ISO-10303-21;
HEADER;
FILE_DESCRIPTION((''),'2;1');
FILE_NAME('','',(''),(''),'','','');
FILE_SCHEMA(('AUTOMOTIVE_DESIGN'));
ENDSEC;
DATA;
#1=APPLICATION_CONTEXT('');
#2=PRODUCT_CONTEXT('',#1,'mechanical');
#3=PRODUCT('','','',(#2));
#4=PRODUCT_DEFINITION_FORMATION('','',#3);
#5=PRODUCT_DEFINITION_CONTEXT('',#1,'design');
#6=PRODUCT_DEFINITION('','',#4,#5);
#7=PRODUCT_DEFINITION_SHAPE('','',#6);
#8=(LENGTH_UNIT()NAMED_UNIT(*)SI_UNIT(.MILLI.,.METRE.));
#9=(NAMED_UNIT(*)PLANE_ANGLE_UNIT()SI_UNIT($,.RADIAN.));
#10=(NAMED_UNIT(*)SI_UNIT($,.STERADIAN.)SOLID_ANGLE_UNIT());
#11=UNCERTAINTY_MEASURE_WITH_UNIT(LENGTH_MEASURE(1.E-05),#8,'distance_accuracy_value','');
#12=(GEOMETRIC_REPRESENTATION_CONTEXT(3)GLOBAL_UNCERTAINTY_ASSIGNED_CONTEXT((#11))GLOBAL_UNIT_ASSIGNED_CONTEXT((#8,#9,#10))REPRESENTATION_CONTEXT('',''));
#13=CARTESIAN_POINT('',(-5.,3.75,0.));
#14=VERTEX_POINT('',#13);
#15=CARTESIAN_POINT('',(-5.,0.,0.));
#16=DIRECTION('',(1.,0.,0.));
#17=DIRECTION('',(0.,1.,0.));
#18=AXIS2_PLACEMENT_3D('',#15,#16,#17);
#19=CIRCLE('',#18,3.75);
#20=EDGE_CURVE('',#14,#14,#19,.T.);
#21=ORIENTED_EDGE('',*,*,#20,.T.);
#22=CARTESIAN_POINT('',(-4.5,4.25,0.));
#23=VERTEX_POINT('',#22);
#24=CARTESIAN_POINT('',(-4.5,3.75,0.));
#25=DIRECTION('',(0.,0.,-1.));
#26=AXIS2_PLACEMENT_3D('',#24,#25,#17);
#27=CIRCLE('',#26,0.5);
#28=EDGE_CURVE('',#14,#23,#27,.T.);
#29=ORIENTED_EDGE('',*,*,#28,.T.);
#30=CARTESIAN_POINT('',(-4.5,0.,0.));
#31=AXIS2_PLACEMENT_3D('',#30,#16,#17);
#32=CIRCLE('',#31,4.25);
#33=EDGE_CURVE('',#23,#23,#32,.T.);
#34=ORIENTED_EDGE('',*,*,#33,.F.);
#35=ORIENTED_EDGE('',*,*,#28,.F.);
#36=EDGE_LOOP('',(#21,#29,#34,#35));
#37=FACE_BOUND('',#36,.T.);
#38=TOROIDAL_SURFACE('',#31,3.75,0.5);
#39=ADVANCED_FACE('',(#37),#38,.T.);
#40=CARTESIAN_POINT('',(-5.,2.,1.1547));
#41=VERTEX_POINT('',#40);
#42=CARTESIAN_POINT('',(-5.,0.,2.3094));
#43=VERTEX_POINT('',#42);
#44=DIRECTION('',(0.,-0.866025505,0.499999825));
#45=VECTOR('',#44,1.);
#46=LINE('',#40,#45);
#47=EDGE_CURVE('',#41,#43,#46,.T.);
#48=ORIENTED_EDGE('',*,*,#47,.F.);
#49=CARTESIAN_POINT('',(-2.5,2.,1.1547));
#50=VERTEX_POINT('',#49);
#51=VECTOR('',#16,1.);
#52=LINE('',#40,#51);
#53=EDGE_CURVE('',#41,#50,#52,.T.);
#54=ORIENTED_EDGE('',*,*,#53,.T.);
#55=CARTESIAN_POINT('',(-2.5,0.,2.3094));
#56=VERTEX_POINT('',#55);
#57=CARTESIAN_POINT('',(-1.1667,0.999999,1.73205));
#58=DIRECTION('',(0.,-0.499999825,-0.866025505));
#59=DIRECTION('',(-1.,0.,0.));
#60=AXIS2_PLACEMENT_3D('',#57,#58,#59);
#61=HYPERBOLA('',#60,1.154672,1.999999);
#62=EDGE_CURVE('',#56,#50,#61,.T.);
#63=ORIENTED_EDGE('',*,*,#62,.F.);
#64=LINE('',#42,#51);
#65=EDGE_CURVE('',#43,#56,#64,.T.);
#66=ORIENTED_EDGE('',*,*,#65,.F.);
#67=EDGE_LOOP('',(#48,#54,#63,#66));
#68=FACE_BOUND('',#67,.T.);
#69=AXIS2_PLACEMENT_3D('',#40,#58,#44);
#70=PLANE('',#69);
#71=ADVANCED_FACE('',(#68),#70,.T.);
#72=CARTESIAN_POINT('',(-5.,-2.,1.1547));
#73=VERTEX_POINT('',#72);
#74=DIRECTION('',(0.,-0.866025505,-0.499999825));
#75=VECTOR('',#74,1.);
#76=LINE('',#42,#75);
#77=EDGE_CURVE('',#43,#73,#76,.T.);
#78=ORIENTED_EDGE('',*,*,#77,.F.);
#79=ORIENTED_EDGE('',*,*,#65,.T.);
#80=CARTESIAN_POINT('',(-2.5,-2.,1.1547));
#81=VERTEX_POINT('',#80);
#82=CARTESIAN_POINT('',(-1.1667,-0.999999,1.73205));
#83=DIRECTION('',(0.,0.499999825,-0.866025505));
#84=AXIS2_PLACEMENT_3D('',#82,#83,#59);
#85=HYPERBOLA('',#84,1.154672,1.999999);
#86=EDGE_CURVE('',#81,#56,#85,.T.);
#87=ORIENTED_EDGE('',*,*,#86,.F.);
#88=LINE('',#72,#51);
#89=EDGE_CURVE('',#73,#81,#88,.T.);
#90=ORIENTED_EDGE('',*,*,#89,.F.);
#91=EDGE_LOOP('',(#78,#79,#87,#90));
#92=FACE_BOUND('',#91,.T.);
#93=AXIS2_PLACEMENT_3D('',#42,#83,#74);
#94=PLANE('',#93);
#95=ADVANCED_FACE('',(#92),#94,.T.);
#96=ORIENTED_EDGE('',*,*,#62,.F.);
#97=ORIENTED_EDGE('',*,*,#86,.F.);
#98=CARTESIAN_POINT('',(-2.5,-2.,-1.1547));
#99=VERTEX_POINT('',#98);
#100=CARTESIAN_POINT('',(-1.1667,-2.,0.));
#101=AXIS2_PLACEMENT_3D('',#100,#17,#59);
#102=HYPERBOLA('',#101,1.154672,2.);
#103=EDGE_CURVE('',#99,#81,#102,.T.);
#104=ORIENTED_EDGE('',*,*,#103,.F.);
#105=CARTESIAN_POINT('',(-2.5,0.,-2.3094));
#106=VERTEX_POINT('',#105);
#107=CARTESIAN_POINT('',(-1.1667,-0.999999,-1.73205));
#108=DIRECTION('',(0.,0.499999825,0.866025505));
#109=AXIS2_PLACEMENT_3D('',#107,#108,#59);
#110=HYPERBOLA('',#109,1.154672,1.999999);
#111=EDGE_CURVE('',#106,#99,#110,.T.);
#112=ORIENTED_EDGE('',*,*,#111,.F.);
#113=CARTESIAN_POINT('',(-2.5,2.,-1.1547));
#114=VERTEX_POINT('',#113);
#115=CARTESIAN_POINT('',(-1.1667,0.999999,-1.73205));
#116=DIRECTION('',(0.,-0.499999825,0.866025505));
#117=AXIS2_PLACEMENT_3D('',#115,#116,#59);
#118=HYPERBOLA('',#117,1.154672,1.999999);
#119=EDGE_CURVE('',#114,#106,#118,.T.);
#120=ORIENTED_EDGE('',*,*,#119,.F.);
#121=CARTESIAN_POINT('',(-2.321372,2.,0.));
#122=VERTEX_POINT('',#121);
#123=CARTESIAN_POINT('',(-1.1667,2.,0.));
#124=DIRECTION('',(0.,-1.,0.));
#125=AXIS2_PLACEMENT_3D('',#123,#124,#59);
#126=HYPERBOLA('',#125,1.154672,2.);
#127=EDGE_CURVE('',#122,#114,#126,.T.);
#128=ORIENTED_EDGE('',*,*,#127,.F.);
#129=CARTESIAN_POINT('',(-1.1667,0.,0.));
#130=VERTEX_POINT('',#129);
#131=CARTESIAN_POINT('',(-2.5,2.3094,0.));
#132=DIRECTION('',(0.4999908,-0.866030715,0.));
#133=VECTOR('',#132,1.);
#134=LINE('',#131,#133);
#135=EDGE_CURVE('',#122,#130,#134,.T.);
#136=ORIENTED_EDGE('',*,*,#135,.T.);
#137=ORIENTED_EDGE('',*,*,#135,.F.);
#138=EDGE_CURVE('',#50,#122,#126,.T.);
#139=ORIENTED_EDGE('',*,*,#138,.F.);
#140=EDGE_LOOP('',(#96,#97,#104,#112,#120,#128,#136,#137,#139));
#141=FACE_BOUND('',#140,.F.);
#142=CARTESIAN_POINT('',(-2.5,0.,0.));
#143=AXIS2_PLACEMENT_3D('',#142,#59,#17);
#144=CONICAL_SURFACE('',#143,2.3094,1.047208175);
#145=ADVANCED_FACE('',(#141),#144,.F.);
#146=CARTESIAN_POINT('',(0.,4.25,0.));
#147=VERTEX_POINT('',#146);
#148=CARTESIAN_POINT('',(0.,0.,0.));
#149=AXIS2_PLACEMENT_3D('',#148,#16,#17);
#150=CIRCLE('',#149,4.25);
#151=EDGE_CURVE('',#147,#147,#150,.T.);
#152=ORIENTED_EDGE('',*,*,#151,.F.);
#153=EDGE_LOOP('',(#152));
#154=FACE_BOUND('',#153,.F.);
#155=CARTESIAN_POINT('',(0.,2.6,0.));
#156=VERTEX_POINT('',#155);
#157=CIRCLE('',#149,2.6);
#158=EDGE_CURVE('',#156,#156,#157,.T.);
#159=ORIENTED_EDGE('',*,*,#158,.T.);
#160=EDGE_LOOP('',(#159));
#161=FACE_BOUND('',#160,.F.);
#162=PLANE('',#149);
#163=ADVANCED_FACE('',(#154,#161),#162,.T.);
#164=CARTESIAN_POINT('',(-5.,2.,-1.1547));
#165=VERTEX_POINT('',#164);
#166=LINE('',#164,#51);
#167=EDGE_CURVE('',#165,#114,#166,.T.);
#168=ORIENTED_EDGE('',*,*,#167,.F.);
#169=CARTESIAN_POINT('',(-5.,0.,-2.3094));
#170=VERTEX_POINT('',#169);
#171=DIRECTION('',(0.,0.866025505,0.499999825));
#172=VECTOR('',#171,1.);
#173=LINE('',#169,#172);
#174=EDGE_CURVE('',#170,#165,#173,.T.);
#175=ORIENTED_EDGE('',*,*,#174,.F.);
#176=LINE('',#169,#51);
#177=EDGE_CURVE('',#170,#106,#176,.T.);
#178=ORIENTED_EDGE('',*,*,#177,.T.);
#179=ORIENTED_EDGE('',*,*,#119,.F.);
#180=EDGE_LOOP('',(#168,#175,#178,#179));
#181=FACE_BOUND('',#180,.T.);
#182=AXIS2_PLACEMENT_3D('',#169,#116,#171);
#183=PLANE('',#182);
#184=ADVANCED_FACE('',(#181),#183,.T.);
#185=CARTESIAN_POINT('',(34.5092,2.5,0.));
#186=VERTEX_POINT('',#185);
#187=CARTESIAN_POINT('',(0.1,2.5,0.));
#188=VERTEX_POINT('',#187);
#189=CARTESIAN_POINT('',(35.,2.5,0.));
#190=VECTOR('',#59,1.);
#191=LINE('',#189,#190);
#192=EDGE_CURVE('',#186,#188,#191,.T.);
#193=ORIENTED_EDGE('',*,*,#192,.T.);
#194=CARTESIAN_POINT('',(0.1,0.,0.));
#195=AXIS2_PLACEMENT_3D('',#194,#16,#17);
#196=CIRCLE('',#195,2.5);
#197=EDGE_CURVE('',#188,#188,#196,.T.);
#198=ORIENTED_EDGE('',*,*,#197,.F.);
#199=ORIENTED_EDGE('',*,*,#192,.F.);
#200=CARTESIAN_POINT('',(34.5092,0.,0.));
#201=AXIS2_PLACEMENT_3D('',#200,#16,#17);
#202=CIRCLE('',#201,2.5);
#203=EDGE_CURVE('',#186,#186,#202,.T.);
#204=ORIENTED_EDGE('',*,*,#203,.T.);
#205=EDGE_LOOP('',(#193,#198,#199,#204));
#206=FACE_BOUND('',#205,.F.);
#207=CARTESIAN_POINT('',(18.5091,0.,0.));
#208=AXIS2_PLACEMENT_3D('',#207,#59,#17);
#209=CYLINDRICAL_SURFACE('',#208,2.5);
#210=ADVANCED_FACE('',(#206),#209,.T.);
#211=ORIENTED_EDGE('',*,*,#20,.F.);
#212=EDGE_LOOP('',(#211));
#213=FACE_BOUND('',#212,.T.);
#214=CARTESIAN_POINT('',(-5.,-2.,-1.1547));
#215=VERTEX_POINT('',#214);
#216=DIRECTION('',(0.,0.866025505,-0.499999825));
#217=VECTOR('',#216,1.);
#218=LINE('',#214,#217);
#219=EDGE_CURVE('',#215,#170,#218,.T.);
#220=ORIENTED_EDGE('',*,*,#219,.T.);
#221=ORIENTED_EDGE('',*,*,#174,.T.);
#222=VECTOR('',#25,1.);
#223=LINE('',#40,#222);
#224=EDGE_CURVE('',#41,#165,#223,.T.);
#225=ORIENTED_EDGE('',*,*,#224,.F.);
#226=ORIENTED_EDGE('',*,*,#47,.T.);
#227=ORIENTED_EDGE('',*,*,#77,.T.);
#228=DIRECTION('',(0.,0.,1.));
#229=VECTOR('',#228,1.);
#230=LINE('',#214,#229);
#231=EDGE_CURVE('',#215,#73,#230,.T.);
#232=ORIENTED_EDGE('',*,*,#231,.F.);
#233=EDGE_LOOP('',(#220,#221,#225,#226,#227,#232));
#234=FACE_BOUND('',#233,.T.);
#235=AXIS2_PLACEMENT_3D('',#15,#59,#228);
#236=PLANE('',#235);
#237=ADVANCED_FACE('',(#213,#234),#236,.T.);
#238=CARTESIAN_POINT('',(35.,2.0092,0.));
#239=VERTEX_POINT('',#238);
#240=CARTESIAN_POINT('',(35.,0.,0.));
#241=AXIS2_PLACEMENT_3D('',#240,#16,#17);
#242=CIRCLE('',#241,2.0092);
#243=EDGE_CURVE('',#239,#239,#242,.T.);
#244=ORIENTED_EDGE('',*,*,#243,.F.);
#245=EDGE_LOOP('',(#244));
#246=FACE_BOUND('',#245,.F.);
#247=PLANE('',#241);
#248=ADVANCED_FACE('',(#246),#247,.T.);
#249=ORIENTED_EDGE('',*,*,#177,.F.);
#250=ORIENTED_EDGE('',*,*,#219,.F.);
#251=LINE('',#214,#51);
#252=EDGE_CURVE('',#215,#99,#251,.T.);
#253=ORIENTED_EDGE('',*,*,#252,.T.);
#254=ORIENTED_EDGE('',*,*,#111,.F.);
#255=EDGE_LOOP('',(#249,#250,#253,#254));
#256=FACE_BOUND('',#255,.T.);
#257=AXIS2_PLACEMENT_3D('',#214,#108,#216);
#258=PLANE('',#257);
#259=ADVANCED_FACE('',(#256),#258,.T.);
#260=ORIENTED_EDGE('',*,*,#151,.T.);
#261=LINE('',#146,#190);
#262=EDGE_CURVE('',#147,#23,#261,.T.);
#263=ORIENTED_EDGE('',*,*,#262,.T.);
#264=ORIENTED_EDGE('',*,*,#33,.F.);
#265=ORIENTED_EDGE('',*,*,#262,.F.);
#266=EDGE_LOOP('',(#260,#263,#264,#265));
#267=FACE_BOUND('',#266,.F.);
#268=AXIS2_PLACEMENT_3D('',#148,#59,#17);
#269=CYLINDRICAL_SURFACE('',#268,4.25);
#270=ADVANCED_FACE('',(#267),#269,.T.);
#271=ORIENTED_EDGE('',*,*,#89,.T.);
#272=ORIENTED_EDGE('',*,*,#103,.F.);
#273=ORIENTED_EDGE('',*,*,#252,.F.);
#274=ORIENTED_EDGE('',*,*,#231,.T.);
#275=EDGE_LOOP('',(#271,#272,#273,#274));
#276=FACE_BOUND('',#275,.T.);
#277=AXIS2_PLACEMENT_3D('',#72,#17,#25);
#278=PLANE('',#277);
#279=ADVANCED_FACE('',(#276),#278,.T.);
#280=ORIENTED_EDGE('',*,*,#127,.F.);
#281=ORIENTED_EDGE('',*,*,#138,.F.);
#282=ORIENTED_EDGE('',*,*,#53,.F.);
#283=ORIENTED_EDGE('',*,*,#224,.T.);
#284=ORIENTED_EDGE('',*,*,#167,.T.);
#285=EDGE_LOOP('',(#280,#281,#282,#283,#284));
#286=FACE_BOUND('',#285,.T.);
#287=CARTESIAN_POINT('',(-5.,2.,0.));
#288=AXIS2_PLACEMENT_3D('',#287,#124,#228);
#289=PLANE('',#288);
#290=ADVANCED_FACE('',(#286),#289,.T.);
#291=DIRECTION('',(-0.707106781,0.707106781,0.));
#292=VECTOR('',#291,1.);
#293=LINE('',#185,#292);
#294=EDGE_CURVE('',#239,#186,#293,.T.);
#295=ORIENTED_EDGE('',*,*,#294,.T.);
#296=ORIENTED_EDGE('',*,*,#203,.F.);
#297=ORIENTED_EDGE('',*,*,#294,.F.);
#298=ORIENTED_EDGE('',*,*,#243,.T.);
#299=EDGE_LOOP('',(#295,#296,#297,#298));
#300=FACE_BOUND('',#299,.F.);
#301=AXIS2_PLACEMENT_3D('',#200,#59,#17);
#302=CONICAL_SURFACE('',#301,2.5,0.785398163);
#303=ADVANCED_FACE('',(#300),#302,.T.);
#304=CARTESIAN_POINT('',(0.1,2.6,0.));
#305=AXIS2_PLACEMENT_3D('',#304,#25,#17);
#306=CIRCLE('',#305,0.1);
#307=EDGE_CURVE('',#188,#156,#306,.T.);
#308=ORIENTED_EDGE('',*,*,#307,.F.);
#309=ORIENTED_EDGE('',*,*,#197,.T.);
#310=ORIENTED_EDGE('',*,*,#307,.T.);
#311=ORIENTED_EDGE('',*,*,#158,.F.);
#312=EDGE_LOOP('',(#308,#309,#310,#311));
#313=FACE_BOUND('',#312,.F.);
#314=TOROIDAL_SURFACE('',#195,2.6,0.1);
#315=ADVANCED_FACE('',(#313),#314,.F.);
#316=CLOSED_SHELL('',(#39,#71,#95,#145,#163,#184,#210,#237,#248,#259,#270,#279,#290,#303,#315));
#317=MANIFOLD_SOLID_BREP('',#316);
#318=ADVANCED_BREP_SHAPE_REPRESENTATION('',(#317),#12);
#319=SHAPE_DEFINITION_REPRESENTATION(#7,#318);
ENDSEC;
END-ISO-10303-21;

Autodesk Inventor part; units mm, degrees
ref_plane "YZ Plane" through (0, 0, 0) normal (1, 0, 0) x (0, 1, 0)
ref_plane "XZ Plane" through (0, 0, 0) normal (0, 1, 0) x (-1, 0, 0)
sketch "Sketch1" plane through (0, 0, 0) normal (0, 0, 1) x (1, 0, 0)
  line L0 (-1.1667, 0) -> (35, 0)
  line L1 (35, 0) -> (35, 2.5)
  line L2 (35, 2.5) -> (19, 2.5)
  line L3 (19, 2.5) -> (18.5091, 2.5)
  line L4 (18.5091, 2.5) -> (0, 2.5)
  line L5 (0, 2.5) -> (0, 4.25)
  line L6 (0, 4.25) -> (-5, 4.25)
  line L7 (-5, 4.25) -> (-5, 2.3094)
  line L8 (-5, 2.3094) -> (-2.5, 2.3094)
  line L9 (-2.5, 2.3094) -> (-1.1667, 0)
  line L10 (-13, 0) -> (43, 0) projected
  line L11 (0, -0.85) -> (0, 5.1) projected
  line L12 (19, 2.5) -> (0, 2.5) construction
  dimension "d1" = 16
  dimension "d2" = 0.4909
  dimension "d3" = 5
  dimension "d4" = 2.5
  dimension "d5" = 60
  dimension "d6" = 5
  dimension "d7" = 5
  dimension "d8" = 4.6188
  dimension "d9" = 8.5
  dimension "d26" = 35
revolve "Body" add sketch "Sketch1" angle 360 about axis through (-1.1667, 0, 0) along (1, 0, 0)
sketch "Sketch2" plane through (-5, 0, 0) normal (-1, 0, 0) x (0, 0, 1)
  circle A0 centre (0, 0) radius 2.3094 projected
  line L0 (0, -5.95) -> (0, 5.95) projected
  line L1 (-5.95, 0) -> (5.95, 0) projected
  line L2 (2.3094, 0) -> (1.1547, -2)
  line L3 (1.1547, -2) -> (-1.1547, -2)
  line L4 (-1.1547, -2) -> (-2.3094, 0)
  line L5 (-2.3094, 0) -> (-1.1547, 2)
  line L6 (-1.1547, 2) -> (1.1547, 2)
  line L7 (1.1547, 2) -> (2.3094, 0)
extrude "Slot" add sketch "Sketch2" against normal up to next contours L7 A0 | A0 L2 | L6 L0 A0 | A0 L0 L3 | L0 L6 A0 | A0 L3 L0 | L4 A0 | A0 L5
fillet "Fillet1" radius 0.5 1 edges at (-5, -4.25, 0)
thread "Thread" size "M5x0.8" class "6g" standard "ISO Metric profile" length 16
chamfer "Chamfer1" distance 0.4908 distance2 0.4908 1 edges at (35, -2.5, 0) measured on face at (35, -0.7192, 0.1653)
ref_plane "Work Plane1" through (29, 0, 0) normal (0, -1, 0) x (1, 0, 0)
fillet "Fillet2" radius 0.1 1 edges at (0, -2.5, 0)
equation "\"d1\" = GEL"
equation "\"d3\" = KOH"
equation "\"d4\" = INTI"
equation "\"d6\" = GD"
equation "\"d7\" = BDM"
equation "\"d8\" = 1.1547 * SW"
equation "\"d9\" = KOD"
equation "\"d17\" = RR"
equation "\"d13\" = GEL"
equation "\"d15\" = -0.5 * SPD + 0.5 * GD"
equation "\"d16\" = GUL"
equation "\"d30\" = R"
equation "\"GD\" = NND"
equation "\"GEL\" = 16"
equation "\"KOD\" = 8.5"
equation "\"KOH\" = NND"
equation "\"INTI\" = 2.5"
equation "\"GAL\" = 0.61345 * PTC"
equation "\"GUL\" = 0.61345 * PTC"
equation "\"BDM\" = NND"
equation "\"SW\" = 4"
equation "\"RR\" = 0.1 * NND"
equation "\"SPD\" = NND - 1.2269 * PTC"
equation "\"R\" = 0.1"
equation "\"PHH\" = 0.13"
equation "\"GD1\" = THREADDIA - 1.2269 * PTC"
equation "\"THREADDIA\" = 5"
equation "\"FAWI\" = 45deg"
equation "\"PTC\" = 0.8"
equation "\"KOH1\" = 4.5"
equation "\"NND\" = 5"
equation "\"TOA\" = 30deg"
equation "\"E0\" = 1.155 * SW"
properties part number "AS 1420 - 1973 - M5 x 20" material "Steel, Mild"
